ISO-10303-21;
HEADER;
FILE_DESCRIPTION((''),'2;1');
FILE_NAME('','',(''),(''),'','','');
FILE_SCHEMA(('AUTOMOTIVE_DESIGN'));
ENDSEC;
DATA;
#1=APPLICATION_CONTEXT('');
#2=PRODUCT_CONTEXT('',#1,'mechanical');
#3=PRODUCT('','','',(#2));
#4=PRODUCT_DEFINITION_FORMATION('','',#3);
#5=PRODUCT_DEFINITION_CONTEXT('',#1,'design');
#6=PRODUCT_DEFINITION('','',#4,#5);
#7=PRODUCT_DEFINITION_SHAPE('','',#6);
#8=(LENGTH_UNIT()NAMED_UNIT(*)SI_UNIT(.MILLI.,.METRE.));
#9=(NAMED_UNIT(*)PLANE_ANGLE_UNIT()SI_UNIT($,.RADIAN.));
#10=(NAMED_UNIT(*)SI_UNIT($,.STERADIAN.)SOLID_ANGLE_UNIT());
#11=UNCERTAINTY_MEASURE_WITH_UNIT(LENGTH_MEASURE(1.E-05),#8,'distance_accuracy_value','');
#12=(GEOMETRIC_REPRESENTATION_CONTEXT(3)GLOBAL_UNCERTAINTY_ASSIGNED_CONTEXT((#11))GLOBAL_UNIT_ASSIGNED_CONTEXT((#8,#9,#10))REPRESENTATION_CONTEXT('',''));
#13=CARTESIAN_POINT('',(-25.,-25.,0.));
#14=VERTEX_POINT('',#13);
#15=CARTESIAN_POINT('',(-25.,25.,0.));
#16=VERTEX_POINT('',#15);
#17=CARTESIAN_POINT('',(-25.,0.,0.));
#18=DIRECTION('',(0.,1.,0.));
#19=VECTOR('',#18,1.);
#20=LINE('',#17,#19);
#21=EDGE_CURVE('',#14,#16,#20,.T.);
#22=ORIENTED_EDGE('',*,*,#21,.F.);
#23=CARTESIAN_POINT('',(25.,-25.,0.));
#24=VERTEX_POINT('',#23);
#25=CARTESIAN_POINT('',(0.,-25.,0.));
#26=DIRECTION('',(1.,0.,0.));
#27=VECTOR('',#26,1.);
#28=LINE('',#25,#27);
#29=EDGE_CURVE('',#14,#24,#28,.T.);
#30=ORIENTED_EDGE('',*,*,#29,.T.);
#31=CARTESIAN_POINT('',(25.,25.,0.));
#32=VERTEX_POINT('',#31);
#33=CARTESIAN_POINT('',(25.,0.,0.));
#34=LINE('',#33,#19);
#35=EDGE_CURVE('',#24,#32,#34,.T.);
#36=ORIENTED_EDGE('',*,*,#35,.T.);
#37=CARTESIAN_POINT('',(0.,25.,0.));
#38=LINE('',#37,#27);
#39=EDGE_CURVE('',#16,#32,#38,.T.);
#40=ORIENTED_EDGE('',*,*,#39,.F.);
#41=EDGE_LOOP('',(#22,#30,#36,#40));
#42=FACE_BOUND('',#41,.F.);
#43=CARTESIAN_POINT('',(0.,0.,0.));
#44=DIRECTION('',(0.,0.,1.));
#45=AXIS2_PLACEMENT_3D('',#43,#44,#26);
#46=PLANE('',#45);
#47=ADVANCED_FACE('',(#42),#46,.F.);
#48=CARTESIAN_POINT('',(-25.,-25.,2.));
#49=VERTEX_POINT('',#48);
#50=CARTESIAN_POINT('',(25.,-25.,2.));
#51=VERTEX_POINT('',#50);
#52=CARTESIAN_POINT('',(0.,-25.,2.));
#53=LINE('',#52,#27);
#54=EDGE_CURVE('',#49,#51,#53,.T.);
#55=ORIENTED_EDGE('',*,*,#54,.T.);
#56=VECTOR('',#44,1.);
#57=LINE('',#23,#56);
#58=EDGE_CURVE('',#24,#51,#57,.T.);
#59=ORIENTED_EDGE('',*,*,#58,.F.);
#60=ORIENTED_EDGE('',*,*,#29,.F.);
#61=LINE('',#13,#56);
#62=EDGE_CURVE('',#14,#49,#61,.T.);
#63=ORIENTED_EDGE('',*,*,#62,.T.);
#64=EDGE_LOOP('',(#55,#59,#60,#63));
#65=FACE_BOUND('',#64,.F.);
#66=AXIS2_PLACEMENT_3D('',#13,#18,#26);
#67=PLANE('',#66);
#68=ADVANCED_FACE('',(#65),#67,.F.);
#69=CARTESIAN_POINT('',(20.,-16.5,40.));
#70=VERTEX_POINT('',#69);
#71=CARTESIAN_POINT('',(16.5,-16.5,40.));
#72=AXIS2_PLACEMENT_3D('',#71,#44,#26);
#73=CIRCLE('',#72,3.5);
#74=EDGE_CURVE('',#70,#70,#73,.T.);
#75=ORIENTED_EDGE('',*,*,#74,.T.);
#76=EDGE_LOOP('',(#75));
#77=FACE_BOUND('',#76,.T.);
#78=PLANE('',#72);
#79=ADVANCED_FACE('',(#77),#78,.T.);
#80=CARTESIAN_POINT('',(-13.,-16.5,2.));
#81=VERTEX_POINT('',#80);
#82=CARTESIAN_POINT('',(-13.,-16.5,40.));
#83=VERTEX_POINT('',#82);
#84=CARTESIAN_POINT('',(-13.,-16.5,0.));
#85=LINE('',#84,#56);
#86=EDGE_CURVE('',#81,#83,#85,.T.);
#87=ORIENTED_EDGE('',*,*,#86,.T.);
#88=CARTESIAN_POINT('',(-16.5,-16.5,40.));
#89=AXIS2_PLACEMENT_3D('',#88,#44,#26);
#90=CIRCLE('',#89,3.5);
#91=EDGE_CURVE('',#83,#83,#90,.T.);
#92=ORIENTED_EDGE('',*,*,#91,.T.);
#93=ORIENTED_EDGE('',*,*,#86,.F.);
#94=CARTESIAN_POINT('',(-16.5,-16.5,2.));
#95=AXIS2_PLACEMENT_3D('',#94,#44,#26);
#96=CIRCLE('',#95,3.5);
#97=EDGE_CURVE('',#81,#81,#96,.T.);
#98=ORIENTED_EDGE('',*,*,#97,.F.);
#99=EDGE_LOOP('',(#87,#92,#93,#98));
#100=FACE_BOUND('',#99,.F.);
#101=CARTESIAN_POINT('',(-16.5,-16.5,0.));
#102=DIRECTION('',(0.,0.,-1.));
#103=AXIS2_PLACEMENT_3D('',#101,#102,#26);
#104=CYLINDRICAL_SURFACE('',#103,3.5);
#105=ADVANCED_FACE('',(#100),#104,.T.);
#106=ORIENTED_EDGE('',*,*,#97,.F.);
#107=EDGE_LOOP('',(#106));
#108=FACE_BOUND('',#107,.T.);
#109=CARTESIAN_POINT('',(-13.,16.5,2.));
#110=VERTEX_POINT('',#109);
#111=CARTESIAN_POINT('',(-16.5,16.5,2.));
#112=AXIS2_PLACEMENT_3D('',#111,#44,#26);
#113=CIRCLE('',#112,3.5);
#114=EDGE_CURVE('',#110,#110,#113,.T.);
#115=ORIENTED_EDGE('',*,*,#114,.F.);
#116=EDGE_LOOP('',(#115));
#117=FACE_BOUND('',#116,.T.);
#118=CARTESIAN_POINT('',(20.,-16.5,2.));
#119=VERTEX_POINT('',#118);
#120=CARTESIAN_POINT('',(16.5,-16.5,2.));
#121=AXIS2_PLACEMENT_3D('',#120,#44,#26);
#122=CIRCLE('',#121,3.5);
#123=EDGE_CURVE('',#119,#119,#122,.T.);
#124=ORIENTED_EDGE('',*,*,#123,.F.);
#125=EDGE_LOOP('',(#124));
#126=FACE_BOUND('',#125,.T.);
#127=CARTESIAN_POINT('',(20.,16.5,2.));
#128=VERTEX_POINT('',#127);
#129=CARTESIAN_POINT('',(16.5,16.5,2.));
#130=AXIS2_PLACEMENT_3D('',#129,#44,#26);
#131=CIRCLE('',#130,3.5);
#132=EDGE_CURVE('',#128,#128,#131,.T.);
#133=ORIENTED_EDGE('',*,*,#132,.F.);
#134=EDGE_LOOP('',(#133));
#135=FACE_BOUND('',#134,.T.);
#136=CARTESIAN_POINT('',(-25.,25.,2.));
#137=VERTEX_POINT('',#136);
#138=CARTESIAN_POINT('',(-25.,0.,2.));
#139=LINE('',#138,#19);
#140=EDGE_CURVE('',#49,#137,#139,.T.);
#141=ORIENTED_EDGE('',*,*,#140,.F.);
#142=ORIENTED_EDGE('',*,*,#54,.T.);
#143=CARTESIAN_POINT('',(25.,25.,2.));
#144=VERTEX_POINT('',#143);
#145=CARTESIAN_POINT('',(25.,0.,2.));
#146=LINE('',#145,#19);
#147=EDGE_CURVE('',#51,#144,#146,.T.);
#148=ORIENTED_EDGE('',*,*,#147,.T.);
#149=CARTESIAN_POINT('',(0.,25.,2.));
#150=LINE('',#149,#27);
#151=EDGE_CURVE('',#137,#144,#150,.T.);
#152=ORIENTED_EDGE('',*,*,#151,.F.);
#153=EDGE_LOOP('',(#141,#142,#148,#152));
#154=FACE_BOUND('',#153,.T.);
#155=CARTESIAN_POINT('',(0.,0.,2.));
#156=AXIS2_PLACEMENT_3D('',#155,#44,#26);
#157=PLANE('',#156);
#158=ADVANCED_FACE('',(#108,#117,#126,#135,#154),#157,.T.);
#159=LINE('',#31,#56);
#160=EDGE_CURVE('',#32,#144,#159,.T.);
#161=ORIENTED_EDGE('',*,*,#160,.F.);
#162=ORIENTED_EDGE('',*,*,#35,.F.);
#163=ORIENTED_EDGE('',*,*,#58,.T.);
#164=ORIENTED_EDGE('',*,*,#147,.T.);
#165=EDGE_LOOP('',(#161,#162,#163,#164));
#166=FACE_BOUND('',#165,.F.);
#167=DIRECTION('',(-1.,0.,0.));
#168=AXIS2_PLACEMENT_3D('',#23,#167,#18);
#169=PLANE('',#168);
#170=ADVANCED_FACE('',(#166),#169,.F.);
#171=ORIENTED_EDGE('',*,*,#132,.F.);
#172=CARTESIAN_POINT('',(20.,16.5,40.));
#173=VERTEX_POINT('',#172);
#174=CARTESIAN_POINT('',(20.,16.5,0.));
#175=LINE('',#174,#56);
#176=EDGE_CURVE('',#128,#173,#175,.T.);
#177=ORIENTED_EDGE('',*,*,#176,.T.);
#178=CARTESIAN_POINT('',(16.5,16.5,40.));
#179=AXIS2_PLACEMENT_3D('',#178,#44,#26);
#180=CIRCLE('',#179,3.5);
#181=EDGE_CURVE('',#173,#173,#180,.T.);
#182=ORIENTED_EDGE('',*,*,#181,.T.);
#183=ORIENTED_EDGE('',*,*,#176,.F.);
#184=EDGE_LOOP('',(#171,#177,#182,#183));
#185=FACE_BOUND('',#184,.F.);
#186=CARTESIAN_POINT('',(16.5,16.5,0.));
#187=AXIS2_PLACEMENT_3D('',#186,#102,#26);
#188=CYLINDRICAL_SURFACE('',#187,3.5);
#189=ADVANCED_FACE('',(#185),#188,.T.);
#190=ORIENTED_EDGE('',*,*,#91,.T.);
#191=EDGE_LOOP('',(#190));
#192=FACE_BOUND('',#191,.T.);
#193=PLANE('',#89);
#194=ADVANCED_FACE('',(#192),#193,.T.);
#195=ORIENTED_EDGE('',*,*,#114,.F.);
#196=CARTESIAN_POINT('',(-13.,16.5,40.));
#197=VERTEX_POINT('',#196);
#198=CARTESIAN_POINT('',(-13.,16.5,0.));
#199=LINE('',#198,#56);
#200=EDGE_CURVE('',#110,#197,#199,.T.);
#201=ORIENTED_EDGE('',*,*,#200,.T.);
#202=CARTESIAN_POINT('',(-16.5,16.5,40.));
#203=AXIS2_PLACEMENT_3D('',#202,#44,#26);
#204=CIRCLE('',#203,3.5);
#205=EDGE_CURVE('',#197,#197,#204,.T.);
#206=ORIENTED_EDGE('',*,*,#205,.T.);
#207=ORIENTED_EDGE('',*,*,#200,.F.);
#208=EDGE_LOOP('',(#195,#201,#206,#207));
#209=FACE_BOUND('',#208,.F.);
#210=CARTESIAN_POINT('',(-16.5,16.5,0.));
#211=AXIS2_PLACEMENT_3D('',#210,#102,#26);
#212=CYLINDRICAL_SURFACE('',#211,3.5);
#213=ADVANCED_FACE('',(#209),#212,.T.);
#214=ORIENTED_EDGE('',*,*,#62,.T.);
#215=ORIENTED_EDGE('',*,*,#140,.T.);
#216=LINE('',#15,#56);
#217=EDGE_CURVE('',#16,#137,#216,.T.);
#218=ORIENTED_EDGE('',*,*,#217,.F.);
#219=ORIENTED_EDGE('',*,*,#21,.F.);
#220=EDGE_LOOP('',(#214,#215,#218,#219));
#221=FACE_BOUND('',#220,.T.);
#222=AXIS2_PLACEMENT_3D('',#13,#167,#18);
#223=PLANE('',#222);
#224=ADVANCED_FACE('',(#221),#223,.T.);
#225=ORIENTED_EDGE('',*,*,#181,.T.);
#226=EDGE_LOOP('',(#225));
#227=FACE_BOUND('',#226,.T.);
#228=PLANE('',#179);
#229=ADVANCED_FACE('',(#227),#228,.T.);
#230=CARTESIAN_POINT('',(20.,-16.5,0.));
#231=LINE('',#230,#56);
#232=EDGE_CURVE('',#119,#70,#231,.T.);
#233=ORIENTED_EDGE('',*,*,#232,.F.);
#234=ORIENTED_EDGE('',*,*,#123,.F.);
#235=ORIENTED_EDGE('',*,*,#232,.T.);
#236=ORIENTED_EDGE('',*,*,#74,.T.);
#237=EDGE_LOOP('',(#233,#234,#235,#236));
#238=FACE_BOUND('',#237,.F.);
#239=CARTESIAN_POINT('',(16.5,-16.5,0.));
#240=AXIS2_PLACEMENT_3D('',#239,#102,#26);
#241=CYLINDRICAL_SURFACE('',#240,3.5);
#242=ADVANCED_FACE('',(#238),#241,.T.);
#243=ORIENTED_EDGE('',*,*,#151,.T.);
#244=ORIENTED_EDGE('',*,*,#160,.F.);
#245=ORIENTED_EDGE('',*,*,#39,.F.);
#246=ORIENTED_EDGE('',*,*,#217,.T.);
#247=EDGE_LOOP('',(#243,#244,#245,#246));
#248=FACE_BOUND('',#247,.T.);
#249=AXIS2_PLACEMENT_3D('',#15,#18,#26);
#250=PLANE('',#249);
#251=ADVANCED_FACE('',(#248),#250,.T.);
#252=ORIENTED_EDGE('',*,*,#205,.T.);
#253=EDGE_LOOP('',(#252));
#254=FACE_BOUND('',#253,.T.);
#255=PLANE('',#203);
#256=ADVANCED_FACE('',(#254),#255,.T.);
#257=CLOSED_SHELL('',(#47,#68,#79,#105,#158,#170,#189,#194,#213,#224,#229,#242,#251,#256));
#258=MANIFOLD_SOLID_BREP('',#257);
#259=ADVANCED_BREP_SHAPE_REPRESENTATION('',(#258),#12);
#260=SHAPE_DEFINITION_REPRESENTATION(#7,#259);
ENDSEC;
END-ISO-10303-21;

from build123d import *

# Parameters (mm, degrees)
F0_W     = 50
F0_H     = 50
F0_R     = 3.5
F1_DEPTH = 2
F2_DEPTH = 40


with BuildPart() as f1:
    # F0 (on Top) → F1 (new body)
    with BuildSketch(Plane.XY):
        Rectangle(F0_W, F0_H)
        with Locations((-16.5, -16.5)):
            Circle(F0_R, mode=Mode.SUBTRACT)
        with Locations((16.5, -16.5)):
            Circle(F0_R, mode=Mode.SUBTRACT)
        with Locations((-16.5, 16.5)):
            Circle(F0_R, mode=Mode.SUBTRACT)
        with Locations((16.5, 16.5)):
            Circle(F0_R, mode=Mode.SUBTRACT)
    extrude(amount=F1_DEPTH)

    # F0 (on Top) → F2 (join)
    with BuildSketch(Plane.XY):
        with Locations((-16.5, 16.5)):
            Circle(F0_R)
        with Locations((16.5, 16.5)):
            Circle(F0_R)
        with Locations((16.5, -16.5)):
            Circle(F0_R)
        with Locations((-16.5, -16.5)):
            Circle(F0_R)
    extrude(amount=F2_DEPTH)


solid = f1.part
